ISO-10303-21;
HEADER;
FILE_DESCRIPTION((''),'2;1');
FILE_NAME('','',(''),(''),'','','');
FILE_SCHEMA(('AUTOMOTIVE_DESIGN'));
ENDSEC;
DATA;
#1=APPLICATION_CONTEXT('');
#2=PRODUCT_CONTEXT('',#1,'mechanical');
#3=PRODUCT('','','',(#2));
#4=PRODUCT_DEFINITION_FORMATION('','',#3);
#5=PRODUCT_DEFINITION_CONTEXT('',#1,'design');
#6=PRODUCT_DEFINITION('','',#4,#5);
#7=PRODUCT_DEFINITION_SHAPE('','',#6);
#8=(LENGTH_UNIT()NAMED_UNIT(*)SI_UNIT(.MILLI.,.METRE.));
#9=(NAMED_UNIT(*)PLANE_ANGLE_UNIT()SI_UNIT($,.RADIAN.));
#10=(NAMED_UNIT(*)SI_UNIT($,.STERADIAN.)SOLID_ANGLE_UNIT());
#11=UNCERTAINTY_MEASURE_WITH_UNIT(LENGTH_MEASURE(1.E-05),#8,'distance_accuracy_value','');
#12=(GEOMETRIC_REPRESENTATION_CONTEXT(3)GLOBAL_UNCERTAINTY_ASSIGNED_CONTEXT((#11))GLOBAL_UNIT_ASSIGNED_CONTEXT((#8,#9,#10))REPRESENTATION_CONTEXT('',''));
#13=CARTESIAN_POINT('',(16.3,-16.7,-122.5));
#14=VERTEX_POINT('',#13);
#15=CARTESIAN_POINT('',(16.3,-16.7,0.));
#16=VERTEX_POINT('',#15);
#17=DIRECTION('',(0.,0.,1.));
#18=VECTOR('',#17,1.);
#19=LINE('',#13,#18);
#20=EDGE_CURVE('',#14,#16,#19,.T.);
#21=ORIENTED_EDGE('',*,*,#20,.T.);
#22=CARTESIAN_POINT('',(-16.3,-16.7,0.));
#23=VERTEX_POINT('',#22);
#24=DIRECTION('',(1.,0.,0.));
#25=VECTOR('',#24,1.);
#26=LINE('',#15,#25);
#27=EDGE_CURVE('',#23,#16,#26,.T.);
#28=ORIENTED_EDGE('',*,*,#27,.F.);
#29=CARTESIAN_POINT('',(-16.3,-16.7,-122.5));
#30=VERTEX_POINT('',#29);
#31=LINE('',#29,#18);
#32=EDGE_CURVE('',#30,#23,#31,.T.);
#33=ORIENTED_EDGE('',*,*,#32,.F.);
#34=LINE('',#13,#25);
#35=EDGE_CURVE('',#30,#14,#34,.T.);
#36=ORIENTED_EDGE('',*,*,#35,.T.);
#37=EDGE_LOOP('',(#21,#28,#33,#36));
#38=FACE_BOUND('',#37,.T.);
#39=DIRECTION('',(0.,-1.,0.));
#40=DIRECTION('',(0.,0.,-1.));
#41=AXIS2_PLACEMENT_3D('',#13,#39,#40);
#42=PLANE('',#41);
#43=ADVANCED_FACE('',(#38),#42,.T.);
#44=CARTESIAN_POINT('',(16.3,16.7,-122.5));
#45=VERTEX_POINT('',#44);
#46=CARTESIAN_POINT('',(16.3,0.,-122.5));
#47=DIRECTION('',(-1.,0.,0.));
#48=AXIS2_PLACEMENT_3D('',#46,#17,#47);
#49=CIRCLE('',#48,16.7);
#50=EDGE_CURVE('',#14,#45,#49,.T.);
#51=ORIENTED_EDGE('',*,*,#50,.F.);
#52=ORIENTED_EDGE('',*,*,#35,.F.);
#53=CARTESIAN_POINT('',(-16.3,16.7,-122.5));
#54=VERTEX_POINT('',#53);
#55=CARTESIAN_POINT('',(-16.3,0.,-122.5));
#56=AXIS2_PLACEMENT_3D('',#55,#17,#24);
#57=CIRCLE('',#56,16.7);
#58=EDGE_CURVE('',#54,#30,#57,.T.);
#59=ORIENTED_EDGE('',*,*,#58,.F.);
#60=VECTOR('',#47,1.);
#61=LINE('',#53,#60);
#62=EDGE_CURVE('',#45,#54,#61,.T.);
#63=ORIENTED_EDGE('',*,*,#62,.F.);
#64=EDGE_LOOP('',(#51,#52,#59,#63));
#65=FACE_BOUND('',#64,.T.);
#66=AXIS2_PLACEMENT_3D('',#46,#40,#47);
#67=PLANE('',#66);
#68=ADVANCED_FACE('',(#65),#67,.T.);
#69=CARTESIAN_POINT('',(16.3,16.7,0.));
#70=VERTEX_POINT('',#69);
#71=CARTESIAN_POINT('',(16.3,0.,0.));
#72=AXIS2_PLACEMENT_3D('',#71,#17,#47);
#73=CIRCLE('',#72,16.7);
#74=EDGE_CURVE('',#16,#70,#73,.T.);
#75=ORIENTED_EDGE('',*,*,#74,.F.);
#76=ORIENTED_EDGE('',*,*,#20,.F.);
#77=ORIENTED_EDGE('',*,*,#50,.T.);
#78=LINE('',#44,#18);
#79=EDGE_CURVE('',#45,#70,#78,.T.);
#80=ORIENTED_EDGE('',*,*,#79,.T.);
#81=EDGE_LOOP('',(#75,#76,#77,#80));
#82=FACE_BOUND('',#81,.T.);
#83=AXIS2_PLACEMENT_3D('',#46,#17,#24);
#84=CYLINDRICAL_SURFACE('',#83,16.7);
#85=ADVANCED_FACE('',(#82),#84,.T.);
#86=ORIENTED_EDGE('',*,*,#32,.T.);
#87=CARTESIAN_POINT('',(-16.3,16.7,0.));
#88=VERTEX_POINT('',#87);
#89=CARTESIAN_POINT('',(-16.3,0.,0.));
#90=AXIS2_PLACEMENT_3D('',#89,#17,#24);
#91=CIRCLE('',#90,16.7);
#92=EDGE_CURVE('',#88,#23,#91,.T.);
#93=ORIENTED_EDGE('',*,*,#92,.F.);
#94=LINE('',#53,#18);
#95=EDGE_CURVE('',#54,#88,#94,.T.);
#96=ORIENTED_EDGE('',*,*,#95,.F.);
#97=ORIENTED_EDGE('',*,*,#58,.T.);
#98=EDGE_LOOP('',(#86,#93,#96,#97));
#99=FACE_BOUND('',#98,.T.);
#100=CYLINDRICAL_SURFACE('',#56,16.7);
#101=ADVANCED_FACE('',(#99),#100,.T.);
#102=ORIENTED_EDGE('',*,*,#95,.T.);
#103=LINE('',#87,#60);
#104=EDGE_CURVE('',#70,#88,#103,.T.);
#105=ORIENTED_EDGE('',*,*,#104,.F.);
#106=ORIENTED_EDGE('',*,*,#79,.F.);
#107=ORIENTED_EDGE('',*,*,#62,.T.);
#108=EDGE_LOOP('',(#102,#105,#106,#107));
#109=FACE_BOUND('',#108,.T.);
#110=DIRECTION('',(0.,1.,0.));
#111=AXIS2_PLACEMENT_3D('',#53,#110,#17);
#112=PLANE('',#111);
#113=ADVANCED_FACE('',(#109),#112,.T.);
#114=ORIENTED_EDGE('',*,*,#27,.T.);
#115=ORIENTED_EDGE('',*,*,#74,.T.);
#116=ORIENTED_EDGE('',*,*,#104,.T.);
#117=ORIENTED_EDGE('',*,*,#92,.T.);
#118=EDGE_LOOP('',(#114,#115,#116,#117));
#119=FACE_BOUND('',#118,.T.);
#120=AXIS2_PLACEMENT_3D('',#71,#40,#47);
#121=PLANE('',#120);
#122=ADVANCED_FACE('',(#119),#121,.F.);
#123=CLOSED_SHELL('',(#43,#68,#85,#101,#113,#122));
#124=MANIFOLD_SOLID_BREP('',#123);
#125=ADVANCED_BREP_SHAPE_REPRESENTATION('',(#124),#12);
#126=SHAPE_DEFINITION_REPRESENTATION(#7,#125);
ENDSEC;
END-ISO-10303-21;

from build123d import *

# Parameters (mm, degrees)
EXTRUDE1_DEPTH = 122.5


with BuildPart() as part:
    # Sketch1 → Extrude1 (new body)
    with BuildSketch(Plane.XY):
        with BuildLine():
            Line((-16.3, 16.7), (16.3, 16.7))
            ThreePointArc((16.3, 16.7), (33, 0), (16.3, -16.7))
            Line((16.3, -16.7), (-16.3, -16.7))
            ThreePointArc((-16.3, -16.7), (-33, 0), (-16.3, 16.7))
        make_face()
    extrude(amount=-EXTRUDE1_DEPTH)


solid = part.part
